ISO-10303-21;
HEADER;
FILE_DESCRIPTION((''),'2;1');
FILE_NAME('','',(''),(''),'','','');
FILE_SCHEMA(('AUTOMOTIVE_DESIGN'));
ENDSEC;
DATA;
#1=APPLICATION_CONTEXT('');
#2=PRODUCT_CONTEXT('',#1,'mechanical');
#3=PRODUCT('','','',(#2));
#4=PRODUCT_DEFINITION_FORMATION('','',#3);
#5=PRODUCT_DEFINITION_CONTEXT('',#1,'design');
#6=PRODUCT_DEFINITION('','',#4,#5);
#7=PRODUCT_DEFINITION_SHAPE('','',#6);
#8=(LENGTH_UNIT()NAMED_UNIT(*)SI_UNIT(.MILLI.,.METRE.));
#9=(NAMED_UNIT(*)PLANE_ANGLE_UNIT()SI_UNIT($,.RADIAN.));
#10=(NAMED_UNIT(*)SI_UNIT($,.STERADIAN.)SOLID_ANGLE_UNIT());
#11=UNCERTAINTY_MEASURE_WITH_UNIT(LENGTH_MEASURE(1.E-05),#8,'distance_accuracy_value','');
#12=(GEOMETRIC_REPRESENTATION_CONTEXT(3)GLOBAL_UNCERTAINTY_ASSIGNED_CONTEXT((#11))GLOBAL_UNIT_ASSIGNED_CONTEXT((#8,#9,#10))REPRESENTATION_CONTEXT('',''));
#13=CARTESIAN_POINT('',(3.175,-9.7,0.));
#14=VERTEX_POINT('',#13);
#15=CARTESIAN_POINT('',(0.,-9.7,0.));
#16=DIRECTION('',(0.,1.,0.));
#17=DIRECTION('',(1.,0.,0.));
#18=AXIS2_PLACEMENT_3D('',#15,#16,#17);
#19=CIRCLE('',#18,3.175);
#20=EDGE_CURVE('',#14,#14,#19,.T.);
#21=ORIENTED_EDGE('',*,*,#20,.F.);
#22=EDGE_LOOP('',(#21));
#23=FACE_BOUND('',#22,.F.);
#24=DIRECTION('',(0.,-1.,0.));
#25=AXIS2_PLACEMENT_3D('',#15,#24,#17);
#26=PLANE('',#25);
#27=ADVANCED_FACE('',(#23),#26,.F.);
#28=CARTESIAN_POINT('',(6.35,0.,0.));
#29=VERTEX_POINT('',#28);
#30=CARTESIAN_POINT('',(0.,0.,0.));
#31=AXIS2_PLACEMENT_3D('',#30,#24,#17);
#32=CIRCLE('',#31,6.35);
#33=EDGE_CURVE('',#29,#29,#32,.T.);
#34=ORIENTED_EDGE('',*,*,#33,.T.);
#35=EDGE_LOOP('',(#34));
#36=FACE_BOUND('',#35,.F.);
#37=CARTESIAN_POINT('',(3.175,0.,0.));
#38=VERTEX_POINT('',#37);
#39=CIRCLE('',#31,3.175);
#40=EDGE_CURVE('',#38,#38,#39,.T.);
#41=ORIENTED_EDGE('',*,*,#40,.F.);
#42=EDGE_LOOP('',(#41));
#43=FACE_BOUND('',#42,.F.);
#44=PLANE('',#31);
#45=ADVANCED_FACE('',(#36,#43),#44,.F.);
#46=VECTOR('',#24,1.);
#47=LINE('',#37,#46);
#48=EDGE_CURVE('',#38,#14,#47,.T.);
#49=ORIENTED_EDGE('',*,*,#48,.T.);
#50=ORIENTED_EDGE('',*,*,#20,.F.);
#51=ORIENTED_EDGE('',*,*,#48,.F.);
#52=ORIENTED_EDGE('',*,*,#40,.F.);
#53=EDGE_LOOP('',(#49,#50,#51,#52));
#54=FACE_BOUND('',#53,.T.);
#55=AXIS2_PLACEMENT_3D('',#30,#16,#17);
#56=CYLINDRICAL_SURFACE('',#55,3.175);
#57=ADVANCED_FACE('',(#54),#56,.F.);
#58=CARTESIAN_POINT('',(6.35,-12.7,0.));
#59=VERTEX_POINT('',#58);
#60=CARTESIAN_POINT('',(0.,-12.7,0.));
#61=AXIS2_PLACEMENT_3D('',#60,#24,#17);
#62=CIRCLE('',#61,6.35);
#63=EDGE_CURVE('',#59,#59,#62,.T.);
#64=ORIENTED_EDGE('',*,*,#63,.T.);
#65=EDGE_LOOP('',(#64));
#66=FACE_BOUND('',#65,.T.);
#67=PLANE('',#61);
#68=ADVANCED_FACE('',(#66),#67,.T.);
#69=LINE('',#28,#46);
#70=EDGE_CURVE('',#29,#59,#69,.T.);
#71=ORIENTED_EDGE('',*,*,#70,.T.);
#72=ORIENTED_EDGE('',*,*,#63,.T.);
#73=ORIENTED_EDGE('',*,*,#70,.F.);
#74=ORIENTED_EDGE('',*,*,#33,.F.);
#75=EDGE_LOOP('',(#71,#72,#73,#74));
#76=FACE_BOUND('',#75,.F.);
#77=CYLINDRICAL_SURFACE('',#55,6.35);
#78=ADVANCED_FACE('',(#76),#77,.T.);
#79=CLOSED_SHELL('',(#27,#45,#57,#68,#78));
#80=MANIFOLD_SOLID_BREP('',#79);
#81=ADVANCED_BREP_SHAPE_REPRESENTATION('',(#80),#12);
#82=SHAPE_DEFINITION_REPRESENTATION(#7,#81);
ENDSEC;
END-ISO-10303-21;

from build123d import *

# Parameters (mm, degrees)
F0_R     = 6.35
F0_R_2   = 3.175
F1_DEPTH = 12.7
F2_R     = 6.35
F3_DEPTH = 3


with BuildPart() as f1:
    # F0 (on Front) → F1 (new body)
    with BuildSketch(Plane.XZ):
        Circle(F0_R)
        Circle(F0_R_2, mode=Mode.SUBTRACT)
    extrude(amount=F1_DEPTH)

    # F2 (on face) → F3 (join)
    with BuildSketch(Plane.XZ.offset(12.7)):
        Circle(F2_R)
    extrude(amount=-F3_DEPTH)


solid = f1.part
